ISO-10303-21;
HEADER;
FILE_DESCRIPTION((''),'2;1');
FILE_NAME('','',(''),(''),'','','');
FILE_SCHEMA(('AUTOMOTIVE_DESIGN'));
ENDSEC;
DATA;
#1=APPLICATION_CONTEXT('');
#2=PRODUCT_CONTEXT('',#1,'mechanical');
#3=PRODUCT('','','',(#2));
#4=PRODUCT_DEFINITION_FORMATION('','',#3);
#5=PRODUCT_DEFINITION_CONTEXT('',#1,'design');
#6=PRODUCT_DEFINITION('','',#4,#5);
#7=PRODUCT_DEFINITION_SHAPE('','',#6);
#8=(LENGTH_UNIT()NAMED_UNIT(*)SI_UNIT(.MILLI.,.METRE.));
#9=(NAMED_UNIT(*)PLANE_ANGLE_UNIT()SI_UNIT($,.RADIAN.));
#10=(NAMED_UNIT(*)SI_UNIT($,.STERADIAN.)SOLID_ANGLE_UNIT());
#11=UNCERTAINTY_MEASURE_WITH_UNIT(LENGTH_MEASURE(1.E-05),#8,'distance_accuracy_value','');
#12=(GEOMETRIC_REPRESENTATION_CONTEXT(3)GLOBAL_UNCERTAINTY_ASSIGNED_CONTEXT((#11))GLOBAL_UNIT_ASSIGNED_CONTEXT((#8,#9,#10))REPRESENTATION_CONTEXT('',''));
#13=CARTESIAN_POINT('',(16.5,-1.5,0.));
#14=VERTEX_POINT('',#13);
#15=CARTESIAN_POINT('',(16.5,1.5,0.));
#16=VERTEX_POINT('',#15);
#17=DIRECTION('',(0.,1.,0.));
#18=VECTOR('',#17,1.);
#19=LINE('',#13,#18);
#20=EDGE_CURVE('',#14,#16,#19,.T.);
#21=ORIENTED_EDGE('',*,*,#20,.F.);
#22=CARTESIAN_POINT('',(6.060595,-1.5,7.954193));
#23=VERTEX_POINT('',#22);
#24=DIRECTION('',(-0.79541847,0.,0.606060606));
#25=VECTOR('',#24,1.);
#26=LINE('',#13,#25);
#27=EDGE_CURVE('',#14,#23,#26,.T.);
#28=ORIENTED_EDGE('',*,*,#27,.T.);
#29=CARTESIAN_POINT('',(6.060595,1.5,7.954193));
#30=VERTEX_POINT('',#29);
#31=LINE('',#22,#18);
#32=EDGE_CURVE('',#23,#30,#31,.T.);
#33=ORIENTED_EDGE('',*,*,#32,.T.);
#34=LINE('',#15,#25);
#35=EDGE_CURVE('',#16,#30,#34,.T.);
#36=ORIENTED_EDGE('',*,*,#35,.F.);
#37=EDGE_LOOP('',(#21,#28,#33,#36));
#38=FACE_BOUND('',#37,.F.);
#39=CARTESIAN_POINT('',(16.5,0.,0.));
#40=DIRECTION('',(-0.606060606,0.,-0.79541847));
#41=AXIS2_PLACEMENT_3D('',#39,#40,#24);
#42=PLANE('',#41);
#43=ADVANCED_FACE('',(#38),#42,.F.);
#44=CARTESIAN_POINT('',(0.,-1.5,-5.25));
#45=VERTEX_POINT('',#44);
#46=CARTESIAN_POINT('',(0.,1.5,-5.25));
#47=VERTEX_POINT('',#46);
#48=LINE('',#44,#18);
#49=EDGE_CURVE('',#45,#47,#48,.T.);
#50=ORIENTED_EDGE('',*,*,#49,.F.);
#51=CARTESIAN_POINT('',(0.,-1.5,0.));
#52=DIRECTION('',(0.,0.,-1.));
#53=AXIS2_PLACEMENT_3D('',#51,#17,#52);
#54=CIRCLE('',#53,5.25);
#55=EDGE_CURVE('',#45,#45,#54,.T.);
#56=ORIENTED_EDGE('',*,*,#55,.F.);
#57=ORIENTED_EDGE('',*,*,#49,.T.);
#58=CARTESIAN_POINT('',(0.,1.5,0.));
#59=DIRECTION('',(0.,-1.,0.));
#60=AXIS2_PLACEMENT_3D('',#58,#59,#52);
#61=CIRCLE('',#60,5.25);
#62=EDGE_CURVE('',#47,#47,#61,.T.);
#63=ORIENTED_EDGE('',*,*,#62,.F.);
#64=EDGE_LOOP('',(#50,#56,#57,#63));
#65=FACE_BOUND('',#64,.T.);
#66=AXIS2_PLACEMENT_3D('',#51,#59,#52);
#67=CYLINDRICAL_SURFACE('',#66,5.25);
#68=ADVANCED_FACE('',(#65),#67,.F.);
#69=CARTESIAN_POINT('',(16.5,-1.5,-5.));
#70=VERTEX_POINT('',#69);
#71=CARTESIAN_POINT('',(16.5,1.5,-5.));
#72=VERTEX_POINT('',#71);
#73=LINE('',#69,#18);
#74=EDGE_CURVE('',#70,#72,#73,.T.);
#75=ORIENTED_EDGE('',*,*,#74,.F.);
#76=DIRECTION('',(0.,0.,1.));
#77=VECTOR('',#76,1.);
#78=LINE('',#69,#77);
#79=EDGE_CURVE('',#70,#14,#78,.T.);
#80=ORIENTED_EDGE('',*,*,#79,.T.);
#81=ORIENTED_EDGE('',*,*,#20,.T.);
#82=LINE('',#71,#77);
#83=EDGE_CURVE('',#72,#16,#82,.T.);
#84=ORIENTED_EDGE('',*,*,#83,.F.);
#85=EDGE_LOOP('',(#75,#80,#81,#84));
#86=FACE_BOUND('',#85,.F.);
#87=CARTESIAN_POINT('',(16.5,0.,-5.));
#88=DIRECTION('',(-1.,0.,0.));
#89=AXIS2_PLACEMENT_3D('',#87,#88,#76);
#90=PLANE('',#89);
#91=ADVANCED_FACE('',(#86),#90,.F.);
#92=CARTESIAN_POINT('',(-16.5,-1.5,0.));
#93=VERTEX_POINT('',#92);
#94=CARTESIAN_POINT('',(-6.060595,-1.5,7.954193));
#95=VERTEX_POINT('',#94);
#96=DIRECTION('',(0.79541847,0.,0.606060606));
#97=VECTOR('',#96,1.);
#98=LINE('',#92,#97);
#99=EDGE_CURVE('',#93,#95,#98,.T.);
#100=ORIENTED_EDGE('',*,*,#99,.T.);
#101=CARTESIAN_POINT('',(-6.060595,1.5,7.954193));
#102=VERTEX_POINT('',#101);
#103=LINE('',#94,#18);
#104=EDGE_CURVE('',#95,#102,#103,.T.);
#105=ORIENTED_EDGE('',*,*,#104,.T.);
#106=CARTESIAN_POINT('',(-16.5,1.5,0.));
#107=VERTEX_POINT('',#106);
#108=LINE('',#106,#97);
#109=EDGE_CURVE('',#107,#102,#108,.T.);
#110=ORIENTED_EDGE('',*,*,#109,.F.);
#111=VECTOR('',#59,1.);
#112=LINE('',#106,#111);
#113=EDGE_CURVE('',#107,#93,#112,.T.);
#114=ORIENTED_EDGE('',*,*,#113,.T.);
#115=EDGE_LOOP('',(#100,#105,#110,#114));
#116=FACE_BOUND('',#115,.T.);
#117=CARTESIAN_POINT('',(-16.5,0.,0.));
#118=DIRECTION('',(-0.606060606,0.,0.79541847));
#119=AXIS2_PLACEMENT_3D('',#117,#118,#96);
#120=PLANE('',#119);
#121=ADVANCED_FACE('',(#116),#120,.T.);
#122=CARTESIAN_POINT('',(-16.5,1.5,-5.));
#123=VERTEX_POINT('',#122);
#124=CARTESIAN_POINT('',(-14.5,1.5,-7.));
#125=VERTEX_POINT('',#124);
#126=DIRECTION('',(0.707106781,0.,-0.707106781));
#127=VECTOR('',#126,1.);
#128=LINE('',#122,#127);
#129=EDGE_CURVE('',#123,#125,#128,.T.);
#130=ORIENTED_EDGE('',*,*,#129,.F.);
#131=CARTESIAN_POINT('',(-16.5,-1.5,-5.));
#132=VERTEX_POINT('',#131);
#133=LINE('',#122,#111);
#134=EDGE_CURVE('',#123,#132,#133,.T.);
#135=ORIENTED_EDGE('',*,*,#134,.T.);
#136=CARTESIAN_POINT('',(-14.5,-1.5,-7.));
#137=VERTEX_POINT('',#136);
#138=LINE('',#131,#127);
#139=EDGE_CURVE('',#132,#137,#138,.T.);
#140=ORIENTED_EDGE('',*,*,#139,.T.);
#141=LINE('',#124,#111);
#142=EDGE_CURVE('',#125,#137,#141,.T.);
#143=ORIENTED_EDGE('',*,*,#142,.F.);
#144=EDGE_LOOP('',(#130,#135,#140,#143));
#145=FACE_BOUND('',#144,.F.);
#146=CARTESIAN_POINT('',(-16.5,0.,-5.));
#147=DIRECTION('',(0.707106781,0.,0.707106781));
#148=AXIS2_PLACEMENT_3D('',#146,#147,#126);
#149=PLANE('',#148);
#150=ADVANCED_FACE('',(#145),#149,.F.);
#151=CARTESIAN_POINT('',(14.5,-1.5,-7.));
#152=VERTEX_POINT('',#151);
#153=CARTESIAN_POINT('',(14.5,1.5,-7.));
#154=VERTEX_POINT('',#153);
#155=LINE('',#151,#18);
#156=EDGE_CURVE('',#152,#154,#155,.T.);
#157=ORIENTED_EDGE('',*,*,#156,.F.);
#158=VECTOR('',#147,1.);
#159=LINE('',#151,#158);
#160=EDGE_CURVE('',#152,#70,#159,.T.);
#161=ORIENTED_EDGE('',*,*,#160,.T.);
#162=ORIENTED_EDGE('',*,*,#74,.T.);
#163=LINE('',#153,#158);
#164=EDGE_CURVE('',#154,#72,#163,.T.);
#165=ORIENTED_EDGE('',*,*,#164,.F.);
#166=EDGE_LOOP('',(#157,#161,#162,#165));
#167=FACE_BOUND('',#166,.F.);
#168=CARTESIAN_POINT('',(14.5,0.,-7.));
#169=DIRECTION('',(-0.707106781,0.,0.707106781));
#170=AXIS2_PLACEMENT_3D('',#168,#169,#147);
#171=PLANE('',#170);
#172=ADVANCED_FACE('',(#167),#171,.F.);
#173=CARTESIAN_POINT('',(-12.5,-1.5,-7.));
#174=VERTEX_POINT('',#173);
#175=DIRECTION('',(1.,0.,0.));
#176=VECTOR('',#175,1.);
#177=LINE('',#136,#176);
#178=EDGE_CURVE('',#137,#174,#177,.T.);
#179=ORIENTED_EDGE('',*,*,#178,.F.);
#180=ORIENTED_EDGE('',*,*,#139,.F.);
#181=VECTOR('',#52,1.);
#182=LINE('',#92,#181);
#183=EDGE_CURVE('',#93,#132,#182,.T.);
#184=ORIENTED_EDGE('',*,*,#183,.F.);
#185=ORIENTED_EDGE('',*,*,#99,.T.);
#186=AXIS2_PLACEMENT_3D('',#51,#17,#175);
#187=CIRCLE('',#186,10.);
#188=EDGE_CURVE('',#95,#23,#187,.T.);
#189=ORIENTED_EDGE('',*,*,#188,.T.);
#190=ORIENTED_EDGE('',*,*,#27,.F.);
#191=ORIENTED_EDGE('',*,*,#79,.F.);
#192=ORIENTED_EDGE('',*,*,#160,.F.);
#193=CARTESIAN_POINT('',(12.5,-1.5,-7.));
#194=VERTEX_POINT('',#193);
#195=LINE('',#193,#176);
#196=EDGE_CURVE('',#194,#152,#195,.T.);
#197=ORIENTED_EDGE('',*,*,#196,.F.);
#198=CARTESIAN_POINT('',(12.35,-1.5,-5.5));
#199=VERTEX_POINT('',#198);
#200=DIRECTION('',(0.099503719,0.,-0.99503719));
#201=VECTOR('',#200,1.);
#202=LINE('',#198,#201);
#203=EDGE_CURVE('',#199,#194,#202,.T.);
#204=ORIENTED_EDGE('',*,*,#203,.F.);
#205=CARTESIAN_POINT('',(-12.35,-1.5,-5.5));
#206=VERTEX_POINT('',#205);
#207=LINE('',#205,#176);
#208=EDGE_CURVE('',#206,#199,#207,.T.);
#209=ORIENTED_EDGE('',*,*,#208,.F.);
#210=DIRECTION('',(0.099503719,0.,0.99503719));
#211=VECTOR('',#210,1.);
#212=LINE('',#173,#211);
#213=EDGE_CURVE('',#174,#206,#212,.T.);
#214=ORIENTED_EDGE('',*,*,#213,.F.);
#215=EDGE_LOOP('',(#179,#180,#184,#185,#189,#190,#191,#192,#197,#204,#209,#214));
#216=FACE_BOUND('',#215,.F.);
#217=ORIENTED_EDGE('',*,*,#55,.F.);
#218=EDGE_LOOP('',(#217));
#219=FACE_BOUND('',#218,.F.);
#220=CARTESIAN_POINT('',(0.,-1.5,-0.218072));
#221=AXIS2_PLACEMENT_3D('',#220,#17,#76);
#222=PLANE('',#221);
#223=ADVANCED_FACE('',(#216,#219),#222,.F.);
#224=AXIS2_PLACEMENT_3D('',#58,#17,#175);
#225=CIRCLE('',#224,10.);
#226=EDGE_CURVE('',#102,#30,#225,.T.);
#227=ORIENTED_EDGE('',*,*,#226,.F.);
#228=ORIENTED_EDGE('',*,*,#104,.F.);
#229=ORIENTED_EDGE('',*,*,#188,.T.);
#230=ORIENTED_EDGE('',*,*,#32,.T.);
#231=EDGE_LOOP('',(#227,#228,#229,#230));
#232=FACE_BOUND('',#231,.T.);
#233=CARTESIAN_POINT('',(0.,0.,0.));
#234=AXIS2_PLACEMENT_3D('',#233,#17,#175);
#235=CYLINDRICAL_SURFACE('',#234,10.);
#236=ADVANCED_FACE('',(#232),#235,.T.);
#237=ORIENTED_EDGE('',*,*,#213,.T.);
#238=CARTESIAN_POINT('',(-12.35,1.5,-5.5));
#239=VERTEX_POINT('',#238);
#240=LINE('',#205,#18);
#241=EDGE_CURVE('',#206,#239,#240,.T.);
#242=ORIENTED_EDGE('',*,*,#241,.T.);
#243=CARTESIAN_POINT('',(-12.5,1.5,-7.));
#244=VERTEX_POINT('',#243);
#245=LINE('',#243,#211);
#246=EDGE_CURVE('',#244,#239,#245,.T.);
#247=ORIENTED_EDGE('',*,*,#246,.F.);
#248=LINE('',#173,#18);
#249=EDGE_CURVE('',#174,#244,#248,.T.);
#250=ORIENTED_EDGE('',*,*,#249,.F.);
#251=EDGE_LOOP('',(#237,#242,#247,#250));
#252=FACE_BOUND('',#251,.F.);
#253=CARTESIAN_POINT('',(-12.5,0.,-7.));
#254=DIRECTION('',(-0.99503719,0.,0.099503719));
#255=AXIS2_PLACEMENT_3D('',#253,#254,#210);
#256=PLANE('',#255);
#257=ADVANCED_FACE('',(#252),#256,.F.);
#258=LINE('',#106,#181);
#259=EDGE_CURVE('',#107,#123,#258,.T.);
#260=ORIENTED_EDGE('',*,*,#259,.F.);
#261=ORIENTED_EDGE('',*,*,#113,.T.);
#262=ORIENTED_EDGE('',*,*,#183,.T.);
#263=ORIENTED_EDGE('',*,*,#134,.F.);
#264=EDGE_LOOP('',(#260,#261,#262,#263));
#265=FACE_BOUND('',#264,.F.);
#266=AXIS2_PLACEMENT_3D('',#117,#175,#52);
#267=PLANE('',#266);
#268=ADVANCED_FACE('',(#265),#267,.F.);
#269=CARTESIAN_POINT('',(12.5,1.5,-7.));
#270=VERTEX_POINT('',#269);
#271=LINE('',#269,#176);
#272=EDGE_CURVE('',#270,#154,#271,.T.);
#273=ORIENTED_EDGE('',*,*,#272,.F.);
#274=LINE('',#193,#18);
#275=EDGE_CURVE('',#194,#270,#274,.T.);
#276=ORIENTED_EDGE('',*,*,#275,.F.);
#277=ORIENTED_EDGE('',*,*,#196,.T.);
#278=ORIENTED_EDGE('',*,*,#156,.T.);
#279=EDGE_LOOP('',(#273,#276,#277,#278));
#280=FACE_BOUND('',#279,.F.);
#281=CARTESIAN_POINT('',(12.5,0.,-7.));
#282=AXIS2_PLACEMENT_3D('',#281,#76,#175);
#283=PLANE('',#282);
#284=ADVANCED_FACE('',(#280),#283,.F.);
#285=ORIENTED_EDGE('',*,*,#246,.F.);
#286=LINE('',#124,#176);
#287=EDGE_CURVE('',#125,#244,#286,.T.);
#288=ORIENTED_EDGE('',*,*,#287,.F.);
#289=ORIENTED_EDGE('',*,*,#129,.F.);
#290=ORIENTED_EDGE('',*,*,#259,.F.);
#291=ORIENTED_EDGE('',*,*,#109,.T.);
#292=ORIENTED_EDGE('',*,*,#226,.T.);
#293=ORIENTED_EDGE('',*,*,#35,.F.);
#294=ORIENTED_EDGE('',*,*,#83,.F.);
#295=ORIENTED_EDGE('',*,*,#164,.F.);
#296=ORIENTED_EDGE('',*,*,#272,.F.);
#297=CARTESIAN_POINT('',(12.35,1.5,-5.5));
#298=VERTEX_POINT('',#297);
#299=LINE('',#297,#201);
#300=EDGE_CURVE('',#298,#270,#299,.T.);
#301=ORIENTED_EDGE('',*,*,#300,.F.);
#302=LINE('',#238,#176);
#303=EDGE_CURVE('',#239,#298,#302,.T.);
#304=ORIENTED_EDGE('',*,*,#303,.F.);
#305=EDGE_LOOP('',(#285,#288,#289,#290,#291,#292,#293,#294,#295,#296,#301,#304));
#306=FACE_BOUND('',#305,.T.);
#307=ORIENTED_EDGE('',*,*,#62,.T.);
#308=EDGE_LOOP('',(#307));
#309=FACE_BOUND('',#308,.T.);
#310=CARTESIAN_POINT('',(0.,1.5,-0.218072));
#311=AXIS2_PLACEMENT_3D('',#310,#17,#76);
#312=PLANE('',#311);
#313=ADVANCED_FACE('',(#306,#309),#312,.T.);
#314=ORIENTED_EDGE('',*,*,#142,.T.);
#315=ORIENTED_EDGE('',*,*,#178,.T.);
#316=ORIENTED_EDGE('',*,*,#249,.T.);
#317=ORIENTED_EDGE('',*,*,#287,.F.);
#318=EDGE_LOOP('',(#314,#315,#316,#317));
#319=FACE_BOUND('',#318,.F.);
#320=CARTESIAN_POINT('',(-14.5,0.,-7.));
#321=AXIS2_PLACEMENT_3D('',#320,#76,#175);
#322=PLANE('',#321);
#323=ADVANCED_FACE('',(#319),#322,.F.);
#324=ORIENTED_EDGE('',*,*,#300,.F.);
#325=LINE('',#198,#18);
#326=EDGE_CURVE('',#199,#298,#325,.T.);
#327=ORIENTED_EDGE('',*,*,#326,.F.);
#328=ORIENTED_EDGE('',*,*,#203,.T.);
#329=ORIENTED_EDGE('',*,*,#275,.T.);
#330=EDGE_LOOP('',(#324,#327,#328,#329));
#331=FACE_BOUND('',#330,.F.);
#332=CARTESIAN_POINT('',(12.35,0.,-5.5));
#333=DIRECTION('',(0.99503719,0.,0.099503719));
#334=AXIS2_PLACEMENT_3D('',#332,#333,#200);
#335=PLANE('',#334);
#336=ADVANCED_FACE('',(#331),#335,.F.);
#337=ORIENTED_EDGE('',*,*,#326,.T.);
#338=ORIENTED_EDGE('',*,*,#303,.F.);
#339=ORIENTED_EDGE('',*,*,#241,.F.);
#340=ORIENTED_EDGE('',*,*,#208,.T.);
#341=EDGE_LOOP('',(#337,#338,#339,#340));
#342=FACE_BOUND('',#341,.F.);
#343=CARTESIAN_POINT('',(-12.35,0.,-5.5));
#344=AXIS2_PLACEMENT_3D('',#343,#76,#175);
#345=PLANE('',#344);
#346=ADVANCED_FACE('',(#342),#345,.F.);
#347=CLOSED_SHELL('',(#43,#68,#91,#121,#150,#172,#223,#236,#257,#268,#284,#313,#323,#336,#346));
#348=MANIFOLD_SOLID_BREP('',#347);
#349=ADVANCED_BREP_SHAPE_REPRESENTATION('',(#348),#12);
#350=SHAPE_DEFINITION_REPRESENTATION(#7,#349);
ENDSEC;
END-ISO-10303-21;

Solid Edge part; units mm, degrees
sketch "Sketch1" plane through (0, 0, 0) normal (0, -1, 0) x (1, 0, 0)
  line L0 (-16.5, 0) -> (-6.0606, 7.9542)
  line L1 (16.5, 0) -> (6.0606, 7.9542)
  line L2 (16.5, -5) -> (16.5, 0)
  line L3 (14.5, -7) -> (16.5, -5)
  line L4 (12.5, -7) -> (14.5, -7)
  line L5 (12.35, -5.5) -> (12.5, -7)
  line L6 (-12.35, -5.5) -> (12.35, -5.5)
  line L7 (-12.5, -7) -> (-12.35, -5.5)
  line L8 (-14.5, -7) -> (-12.5, -7)
  line L9 (-16.5, -5) -> (-14.5, -7)
  line L10 (-16.5, 0) -> (-16.5, -5)
  arc A0 (-6.0606, 7.9542) -> (6.0606, 7.9542) centre (0, 0) cw
extrude "Protrusion1" add sketch "Sketch1" along normal mid plane 3
hole "Hole_1" at (0, -1.5, 0) direction (0, 1, 0) diameter 10.5 end up to next
